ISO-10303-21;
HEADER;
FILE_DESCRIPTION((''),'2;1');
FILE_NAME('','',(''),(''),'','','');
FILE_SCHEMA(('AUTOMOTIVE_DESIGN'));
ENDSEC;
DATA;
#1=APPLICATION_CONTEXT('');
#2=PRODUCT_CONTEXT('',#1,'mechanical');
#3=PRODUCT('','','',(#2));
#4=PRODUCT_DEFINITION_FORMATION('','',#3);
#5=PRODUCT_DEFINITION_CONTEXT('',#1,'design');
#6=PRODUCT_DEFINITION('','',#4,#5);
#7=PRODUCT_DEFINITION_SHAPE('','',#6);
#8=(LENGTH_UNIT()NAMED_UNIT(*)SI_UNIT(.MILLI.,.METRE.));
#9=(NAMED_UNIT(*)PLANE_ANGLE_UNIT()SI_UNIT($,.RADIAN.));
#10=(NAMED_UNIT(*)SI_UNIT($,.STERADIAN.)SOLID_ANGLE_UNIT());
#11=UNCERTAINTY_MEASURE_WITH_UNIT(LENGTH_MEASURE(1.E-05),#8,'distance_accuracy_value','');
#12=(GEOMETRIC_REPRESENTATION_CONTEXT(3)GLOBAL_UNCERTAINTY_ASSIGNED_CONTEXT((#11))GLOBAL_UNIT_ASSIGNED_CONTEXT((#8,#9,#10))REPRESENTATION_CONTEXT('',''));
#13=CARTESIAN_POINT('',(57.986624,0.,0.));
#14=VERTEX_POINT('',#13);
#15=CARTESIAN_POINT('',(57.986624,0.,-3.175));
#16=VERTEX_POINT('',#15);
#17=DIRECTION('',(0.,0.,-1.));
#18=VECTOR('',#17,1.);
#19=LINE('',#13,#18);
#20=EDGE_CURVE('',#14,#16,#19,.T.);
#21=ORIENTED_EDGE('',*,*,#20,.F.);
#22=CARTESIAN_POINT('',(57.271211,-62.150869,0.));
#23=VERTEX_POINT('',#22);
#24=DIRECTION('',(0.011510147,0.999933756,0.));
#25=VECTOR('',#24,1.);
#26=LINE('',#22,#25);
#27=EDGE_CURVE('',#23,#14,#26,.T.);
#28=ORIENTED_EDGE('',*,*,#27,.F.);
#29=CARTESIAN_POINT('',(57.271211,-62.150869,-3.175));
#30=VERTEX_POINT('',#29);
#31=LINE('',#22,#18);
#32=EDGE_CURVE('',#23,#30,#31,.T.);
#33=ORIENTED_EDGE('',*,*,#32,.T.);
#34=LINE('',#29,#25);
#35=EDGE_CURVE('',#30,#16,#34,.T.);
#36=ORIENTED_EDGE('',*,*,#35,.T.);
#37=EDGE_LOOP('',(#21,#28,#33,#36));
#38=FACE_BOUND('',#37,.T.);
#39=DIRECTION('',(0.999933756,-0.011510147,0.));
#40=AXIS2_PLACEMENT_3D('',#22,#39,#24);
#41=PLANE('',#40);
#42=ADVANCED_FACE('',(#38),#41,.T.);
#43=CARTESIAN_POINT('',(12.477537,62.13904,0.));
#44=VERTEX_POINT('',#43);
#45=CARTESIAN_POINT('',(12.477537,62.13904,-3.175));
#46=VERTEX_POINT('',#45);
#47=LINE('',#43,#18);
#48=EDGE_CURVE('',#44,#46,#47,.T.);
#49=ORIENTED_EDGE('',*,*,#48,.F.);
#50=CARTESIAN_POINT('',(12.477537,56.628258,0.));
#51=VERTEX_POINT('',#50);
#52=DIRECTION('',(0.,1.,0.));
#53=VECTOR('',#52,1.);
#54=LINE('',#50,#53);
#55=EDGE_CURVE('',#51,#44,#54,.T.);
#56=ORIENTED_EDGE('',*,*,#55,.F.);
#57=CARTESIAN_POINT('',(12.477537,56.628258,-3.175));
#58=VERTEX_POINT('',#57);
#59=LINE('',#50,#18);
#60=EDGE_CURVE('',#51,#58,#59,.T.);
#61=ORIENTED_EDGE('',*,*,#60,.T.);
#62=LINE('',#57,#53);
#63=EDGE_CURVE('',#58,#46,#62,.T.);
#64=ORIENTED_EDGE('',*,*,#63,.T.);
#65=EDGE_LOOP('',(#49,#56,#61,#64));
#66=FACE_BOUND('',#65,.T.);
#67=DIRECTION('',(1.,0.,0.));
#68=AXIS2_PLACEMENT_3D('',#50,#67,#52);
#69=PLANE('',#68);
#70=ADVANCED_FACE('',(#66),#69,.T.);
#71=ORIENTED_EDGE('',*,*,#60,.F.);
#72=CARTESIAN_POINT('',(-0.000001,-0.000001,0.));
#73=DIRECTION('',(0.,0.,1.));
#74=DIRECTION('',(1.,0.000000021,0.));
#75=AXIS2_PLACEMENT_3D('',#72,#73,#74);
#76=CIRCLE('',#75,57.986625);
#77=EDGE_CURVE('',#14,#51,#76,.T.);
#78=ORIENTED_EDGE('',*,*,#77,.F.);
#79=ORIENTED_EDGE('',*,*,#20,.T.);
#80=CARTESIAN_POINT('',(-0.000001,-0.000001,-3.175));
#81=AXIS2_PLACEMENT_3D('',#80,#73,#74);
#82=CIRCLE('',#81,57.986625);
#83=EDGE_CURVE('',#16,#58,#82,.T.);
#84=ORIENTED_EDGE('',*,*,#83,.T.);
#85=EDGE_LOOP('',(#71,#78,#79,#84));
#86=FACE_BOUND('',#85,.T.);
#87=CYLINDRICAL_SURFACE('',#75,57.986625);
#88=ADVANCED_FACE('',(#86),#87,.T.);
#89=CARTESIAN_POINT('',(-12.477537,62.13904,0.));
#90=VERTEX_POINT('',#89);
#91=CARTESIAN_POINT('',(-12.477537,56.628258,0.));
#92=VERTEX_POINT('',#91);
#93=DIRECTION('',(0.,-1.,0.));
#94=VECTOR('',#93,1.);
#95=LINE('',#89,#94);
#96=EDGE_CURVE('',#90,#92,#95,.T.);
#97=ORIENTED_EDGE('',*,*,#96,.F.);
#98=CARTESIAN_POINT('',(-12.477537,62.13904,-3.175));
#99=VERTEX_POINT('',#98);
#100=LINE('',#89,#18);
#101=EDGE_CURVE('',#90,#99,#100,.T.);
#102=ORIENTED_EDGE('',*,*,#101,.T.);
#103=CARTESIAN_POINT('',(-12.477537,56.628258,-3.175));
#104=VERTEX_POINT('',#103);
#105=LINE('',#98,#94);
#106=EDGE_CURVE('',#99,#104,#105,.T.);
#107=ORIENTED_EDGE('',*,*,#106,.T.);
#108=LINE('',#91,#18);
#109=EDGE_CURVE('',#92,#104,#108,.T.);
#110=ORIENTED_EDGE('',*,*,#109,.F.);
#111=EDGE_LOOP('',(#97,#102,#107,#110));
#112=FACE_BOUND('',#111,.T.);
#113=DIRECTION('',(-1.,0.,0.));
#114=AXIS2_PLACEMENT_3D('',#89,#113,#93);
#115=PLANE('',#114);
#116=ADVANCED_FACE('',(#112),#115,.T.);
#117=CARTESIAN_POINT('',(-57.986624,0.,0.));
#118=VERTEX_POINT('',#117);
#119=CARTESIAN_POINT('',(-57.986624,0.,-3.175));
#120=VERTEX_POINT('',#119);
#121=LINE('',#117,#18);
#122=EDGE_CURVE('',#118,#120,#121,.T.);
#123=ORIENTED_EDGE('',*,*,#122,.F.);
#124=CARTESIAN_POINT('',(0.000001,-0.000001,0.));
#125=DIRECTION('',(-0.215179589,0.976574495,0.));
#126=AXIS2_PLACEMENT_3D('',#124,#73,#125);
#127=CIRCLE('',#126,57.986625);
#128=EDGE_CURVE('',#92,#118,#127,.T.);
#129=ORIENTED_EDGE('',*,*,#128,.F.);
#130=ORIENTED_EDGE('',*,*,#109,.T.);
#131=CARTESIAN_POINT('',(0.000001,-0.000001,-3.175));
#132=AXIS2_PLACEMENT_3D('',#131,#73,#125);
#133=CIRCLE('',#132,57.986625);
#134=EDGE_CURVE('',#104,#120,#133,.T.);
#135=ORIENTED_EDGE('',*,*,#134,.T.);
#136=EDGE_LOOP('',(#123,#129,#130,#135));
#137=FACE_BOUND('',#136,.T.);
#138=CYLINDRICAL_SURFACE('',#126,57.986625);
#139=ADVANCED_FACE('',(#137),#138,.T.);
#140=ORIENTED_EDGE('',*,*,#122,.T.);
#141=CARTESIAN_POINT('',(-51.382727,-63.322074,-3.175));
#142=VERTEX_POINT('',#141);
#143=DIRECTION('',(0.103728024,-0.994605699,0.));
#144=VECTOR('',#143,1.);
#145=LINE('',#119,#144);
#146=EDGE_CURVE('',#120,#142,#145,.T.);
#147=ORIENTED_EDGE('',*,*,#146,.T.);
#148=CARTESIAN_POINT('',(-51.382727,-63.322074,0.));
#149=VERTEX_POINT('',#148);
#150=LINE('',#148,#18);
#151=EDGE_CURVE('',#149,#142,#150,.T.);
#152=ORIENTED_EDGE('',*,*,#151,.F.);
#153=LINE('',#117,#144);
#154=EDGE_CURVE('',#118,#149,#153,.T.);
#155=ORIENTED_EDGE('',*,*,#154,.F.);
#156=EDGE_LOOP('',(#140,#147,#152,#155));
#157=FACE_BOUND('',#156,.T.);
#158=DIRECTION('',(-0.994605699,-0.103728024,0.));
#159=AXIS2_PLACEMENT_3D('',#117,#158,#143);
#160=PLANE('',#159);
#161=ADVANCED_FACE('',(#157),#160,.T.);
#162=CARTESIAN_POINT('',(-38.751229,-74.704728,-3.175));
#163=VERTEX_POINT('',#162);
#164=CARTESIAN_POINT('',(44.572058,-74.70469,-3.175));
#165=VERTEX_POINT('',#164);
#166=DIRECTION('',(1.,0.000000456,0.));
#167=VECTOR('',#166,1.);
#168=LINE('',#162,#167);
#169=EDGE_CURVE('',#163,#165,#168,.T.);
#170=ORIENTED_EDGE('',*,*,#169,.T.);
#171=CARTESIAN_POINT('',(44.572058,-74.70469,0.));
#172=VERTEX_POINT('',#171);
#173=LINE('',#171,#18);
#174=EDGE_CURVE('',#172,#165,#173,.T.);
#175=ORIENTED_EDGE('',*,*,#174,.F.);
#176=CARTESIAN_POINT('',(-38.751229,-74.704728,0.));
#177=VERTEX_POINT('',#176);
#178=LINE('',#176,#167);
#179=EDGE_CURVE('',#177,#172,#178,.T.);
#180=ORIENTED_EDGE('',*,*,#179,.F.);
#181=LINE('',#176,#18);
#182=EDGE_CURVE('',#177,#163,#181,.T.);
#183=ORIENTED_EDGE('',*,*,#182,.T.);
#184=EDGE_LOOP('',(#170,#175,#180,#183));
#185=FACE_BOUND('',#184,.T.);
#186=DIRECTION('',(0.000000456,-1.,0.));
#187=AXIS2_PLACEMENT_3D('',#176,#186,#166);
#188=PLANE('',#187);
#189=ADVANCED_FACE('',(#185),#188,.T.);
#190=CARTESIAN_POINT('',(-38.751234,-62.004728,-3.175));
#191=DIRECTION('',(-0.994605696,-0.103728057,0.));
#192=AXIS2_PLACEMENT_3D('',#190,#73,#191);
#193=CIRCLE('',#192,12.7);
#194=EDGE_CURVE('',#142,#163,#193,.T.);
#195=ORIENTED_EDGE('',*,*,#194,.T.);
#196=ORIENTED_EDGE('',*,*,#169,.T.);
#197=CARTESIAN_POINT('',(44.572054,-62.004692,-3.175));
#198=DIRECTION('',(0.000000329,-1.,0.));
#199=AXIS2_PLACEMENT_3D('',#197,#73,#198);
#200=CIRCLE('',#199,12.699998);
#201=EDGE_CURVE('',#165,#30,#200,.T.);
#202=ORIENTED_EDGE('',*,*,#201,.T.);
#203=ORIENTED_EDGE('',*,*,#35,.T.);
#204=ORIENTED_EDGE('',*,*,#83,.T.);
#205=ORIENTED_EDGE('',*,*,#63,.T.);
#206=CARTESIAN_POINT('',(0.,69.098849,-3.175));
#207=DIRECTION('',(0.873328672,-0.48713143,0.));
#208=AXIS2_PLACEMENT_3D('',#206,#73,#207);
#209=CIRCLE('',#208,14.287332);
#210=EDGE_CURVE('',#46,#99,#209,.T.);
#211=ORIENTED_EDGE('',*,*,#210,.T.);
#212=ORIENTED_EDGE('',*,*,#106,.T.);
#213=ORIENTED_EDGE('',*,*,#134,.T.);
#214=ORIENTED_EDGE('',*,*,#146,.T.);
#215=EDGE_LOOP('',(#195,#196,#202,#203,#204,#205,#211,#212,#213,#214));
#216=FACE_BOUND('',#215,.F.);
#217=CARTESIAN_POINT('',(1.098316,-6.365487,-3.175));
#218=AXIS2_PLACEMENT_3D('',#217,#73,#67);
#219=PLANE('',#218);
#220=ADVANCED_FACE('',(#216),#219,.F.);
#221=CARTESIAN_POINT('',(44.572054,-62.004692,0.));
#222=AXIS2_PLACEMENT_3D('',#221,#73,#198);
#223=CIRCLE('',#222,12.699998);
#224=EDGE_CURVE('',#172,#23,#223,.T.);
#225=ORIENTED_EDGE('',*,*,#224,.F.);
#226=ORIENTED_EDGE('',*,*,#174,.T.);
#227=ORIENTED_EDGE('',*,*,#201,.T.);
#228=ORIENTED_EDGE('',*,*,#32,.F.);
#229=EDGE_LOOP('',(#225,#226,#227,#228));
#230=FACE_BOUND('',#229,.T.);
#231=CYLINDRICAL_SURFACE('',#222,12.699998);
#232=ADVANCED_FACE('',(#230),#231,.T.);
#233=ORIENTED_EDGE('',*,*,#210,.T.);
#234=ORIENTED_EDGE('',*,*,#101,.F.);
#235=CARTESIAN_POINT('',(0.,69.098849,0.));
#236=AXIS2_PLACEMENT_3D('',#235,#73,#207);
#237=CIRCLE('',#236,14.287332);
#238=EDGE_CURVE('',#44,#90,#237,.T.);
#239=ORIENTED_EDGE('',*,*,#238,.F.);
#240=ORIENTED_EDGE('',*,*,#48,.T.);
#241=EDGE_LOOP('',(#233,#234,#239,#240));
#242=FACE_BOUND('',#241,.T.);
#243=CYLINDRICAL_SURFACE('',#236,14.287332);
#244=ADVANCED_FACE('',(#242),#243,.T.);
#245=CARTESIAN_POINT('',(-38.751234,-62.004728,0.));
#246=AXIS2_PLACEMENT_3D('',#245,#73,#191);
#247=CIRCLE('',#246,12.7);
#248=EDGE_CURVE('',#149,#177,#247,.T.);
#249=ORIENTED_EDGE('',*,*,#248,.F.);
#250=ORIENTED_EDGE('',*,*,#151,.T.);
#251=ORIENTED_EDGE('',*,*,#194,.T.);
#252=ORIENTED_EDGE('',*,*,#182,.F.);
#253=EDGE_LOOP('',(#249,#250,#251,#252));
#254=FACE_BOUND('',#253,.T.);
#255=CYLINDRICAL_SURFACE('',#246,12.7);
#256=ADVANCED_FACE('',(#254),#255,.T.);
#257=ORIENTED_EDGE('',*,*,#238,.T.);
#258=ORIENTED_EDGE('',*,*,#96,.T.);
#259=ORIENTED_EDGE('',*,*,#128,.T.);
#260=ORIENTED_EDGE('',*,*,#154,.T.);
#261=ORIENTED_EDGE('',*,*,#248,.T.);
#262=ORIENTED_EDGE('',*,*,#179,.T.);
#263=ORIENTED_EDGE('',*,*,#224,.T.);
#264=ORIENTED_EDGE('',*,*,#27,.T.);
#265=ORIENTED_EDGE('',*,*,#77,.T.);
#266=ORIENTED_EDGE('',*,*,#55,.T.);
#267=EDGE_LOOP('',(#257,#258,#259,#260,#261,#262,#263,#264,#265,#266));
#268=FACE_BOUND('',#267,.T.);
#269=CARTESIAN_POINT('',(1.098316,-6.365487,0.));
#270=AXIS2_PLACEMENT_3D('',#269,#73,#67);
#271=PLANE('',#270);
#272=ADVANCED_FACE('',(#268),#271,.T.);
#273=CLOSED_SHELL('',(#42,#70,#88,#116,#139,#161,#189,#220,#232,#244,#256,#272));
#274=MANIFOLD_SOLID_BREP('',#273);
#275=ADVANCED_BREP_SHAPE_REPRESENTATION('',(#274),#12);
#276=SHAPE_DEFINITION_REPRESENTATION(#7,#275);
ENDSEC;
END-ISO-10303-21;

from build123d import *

# Parameters (mm, degrees)
F1_DEPTH = 3.175


with BuildPart() as f1:
    # F0 (on Top) → F1 (new body)
    with BuildSketch(Plane.XY):
        with BuildLine():
            ThreePointArc((-51.382727, -63.322074), (-47.252988, -71.439249), (-38.751229, -74.704728))
            Line((-38.751229, -74.704728), (44.572058, -74.70469))
            ThreePointArc((44.572058, -74.70469), (53.500479, -71.036479), (57.271211, -62.150869))
            Line((57.271211, -62.150869), (57.986624, 0))
            ThreePointArc((57.986624, 0), (45.19944, 36.32436), (12.477537, 56.628258))
            Line((12.477537, 56.628258), (12.477537, 62.13904))
            ThreePointArc((12.477537, 62.13904), (0, 83.386181), (-12.477537, 62.13904))
            Line((-12.477537, 62.13904), (-12.477537, 56.628258))
            ThreePointArc((-12.477537, 56.628258), (-45.19944, 36.32436), (-57.986624, 0))
            Line((-57.986624, 0), (-51.382727, -63.322074))
        make_face()
    extrude(amount=-F1_DEPTH)


solid = f1.part
